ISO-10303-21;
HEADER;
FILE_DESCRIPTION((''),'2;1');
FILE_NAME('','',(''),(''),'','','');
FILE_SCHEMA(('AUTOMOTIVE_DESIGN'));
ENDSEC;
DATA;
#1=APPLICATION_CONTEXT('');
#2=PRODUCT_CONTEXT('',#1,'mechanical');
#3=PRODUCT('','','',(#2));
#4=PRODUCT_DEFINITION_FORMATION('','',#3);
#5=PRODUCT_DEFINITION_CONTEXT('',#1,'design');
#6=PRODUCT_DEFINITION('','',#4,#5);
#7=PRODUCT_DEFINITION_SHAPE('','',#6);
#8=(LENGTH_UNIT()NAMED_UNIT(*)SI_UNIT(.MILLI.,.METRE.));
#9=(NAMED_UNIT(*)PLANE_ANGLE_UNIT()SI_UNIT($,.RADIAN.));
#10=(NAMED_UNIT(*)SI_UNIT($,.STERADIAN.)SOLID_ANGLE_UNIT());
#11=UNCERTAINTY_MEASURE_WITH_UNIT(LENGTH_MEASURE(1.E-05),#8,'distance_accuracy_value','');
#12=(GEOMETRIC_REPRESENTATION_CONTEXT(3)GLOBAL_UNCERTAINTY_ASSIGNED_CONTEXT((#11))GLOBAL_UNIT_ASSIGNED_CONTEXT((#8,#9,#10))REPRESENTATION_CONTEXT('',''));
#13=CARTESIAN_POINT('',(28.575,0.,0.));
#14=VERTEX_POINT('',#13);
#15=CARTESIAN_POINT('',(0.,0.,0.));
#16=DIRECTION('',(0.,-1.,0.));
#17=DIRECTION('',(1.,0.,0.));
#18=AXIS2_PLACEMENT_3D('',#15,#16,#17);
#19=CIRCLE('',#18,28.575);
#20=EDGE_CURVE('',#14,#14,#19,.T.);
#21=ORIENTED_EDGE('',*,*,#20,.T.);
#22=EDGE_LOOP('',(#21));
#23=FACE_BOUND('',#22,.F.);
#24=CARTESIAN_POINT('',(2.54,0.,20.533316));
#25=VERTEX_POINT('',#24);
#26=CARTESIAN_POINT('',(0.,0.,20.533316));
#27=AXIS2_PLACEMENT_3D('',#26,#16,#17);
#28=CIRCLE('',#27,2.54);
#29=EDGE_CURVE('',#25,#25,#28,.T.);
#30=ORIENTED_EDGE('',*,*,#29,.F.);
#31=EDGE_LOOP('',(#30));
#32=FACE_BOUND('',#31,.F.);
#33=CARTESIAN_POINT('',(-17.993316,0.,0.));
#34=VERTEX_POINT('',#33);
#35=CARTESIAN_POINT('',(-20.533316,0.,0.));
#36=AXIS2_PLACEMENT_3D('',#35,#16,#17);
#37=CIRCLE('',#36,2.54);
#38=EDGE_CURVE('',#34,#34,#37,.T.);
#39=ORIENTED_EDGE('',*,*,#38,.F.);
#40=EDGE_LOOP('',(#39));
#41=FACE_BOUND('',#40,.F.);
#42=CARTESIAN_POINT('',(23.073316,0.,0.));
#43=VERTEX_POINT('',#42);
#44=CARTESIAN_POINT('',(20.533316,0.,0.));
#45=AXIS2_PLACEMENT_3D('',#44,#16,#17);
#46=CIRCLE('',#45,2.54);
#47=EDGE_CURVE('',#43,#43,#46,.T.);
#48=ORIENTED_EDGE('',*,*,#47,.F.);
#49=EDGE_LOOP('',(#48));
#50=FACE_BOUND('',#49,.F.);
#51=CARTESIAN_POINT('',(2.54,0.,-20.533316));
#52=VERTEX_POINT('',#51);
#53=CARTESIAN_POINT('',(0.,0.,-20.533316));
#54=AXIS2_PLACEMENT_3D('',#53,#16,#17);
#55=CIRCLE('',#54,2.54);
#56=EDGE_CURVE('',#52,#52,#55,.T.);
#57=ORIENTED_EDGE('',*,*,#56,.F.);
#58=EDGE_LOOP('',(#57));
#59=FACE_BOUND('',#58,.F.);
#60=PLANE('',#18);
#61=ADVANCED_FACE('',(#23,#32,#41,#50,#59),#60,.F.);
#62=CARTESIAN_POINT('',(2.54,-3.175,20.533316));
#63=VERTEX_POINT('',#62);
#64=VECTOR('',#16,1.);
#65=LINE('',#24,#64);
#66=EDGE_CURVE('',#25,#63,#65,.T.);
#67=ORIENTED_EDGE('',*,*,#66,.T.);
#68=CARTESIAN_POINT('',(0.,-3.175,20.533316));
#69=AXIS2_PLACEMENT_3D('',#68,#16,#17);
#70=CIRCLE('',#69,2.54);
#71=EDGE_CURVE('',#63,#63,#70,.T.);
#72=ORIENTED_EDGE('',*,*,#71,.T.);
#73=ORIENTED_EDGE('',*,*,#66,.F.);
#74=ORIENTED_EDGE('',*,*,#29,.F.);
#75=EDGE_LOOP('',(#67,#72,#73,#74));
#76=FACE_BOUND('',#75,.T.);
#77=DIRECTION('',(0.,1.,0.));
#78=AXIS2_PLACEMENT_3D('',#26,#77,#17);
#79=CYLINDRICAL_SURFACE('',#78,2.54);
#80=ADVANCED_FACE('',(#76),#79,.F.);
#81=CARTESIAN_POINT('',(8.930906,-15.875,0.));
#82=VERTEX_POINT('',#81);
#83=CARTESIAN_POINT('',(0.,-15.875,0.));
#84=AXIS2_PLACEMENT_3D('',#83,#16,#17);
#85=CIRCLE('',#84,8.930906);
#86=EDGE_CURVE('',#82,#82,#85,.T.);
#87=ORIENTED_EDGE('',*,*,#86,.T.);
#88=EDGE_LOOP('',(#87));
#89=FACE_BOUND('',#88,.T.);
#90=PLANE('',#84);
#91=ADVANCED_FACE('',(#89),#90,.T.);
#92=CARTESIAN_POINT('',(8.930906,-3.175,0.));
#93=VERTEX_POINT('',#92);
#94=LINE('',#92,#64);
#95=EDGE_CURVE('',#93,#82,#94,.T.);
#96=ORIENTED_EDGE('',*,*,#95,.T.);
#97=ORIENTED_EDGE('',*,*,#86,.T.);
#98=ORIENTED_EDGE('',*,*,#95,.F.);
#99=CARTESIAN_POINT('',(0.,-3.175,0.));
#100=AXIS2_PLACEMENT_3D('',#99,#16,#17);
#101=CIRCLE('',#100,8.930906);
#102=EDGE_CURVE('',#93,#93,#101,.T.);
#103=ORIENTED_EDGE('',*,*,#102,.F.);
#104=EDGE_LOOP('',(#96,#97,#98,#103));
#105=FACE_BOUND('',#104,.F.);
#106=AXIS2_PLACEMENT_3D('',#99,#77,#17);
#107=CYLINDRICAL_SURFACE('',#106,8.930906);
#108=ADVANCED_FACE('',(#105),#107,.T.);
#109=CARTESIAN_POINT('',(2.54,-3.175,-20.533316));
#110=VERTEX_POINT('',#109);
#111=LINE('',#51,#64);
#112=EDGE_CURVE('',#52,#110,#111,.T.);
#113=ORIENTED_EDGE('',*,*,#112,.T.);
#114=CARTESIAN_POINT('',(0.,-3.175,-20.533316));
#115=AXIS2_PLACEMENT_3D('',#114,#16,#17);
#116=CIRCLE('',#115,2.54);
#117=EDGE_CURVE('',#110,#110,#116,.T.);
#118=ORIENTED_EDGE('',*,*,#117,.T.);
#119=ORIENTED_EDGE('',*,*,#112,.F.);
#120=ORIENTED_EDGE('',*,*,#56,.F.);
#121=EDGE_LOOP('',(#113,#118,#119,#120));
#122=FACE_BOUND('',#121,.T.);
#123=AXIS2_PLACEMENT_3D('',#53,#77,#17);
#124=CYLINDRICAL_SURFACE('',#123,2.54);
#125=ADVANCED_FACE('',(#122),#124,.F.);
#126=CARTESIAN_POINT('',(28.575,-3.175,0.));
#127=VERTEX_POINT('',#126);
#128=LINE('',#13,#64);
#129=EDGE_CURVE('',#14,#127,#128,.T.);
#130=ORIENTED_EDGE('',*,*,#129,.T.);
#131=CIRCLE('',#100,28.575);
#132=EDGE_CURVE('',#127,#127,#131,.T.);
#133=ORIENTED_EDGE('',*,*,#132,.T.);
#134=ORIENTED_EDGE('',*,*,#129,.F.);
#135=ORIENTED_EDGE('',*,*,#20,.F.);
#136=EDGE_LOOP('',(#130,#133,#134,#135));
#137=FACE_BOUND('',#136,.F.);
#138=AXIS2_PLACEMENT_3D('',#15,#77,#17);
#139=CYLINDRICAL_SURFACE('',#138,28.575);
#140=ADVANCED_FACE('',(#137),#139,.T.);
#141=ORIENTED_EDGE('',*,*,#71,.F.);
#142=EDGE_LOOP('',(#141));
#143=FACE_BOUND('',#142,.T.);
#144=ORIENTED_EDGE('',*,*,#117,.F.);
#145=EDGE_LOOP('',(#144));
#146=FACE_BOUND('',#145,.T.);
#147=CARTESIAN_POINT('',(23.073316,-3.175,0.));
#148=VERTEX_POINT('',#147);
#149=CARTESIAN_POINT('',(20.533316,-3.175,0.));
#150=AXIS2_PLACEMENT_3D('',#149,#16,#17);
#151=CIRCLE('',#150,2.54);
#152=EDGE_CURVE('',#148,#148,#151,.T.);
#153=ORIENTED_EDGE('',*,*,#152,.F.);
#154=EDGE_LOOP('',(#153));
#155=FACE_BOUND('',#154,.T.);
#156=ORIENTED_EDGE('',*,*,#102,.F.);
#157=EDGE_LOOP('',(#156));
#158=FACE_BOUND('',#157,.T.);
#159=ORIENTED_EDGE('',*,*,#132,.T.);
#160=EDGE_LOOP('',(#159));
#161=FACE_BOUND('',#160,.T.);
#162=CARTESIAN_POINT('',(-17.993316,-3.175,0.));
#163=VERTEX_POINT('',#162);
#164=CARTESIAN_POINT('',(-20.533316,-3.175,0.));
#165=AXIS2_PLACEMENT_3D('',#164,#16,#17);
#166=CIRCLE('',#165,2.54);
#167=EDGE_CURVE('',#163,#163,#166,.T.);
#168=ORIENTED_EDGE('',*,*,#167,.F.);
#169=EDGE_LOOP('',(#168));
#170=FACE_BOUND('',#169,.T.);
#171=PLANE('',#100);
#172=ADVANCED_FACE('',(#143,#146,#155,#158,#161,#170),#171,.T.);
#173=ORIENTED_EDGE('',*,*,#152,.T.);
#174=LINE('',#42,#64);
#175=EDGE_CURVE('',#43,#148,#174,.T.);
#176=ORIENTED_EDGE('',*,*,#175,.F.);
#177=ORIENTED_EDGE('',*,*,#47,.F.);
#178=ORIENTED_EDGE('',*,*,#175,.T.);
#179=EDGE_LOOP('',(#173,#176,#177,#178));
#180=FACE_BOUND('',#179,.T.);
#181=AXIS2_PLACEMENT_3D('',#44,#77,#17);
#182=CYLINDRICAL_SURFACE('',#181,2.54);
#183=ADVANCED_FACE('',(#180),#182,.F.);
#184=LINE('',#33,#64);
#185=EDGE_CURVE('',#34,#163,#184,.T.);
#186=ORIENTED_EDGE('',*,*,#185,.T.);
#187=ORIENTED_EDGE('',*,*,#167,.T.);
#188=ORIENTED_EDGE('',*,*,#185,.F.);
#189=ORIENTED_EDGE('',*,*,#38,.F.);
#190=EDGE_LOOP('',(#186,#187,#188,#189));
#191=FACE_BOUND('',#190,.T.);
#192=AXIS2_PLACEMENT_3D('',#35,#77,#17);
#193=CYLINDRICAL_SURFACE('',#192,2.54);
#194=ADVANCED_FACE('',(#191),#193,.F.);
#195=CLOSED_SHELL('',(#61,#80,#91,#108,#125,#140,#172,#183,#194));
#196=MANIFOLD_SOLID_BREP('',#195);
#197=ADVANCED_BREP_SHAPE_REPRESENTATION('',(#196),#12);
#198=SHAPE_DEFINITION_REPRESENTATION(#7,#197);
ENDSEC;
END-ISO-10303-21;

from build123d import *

# Parameters (mm, degrees)
F0_R     = 28.575
F0_R_2   = 2.54
F0_R_3   = 12.7
F1_DEPTH = 3.175
F2_R     = 8.930906
F3_DEPTH = 12.7


with BuildPart() as f1:
    # F0 (on Front) → F1 (new body)
    with BuildSketch(Plane.XZ):
        Circle(F0_R)
        with Locations((0, -20.533316)):
            Circle(F0_R_2, mode=Mode.SUBTRACT)
        with Locations((-20.533316, 0)):
            Circle(F0_R_2, mode=Mode.SUBTRACT)
        Circle(F0_R_3, mode=Mode.SUBTRACT)
        with Locations((0, 20.533316)):
            Circle(F0_R_2, mode=Mode.SUBTRACT)
        with Locations((20.533316, 0)):
            Circle(F0_R_2, mode=Mode.SUBTRACT)
        Circle(F0_R_3)
    extrude(amount=F1_DEPTH)

    # F2 (on face) → F3 (join)
    with BuildSketch(Plane.XZ.offset(3.175)):
        Circle(F2_R)
    extrude(amount=F3_DEPTH)


solid = f1.part
